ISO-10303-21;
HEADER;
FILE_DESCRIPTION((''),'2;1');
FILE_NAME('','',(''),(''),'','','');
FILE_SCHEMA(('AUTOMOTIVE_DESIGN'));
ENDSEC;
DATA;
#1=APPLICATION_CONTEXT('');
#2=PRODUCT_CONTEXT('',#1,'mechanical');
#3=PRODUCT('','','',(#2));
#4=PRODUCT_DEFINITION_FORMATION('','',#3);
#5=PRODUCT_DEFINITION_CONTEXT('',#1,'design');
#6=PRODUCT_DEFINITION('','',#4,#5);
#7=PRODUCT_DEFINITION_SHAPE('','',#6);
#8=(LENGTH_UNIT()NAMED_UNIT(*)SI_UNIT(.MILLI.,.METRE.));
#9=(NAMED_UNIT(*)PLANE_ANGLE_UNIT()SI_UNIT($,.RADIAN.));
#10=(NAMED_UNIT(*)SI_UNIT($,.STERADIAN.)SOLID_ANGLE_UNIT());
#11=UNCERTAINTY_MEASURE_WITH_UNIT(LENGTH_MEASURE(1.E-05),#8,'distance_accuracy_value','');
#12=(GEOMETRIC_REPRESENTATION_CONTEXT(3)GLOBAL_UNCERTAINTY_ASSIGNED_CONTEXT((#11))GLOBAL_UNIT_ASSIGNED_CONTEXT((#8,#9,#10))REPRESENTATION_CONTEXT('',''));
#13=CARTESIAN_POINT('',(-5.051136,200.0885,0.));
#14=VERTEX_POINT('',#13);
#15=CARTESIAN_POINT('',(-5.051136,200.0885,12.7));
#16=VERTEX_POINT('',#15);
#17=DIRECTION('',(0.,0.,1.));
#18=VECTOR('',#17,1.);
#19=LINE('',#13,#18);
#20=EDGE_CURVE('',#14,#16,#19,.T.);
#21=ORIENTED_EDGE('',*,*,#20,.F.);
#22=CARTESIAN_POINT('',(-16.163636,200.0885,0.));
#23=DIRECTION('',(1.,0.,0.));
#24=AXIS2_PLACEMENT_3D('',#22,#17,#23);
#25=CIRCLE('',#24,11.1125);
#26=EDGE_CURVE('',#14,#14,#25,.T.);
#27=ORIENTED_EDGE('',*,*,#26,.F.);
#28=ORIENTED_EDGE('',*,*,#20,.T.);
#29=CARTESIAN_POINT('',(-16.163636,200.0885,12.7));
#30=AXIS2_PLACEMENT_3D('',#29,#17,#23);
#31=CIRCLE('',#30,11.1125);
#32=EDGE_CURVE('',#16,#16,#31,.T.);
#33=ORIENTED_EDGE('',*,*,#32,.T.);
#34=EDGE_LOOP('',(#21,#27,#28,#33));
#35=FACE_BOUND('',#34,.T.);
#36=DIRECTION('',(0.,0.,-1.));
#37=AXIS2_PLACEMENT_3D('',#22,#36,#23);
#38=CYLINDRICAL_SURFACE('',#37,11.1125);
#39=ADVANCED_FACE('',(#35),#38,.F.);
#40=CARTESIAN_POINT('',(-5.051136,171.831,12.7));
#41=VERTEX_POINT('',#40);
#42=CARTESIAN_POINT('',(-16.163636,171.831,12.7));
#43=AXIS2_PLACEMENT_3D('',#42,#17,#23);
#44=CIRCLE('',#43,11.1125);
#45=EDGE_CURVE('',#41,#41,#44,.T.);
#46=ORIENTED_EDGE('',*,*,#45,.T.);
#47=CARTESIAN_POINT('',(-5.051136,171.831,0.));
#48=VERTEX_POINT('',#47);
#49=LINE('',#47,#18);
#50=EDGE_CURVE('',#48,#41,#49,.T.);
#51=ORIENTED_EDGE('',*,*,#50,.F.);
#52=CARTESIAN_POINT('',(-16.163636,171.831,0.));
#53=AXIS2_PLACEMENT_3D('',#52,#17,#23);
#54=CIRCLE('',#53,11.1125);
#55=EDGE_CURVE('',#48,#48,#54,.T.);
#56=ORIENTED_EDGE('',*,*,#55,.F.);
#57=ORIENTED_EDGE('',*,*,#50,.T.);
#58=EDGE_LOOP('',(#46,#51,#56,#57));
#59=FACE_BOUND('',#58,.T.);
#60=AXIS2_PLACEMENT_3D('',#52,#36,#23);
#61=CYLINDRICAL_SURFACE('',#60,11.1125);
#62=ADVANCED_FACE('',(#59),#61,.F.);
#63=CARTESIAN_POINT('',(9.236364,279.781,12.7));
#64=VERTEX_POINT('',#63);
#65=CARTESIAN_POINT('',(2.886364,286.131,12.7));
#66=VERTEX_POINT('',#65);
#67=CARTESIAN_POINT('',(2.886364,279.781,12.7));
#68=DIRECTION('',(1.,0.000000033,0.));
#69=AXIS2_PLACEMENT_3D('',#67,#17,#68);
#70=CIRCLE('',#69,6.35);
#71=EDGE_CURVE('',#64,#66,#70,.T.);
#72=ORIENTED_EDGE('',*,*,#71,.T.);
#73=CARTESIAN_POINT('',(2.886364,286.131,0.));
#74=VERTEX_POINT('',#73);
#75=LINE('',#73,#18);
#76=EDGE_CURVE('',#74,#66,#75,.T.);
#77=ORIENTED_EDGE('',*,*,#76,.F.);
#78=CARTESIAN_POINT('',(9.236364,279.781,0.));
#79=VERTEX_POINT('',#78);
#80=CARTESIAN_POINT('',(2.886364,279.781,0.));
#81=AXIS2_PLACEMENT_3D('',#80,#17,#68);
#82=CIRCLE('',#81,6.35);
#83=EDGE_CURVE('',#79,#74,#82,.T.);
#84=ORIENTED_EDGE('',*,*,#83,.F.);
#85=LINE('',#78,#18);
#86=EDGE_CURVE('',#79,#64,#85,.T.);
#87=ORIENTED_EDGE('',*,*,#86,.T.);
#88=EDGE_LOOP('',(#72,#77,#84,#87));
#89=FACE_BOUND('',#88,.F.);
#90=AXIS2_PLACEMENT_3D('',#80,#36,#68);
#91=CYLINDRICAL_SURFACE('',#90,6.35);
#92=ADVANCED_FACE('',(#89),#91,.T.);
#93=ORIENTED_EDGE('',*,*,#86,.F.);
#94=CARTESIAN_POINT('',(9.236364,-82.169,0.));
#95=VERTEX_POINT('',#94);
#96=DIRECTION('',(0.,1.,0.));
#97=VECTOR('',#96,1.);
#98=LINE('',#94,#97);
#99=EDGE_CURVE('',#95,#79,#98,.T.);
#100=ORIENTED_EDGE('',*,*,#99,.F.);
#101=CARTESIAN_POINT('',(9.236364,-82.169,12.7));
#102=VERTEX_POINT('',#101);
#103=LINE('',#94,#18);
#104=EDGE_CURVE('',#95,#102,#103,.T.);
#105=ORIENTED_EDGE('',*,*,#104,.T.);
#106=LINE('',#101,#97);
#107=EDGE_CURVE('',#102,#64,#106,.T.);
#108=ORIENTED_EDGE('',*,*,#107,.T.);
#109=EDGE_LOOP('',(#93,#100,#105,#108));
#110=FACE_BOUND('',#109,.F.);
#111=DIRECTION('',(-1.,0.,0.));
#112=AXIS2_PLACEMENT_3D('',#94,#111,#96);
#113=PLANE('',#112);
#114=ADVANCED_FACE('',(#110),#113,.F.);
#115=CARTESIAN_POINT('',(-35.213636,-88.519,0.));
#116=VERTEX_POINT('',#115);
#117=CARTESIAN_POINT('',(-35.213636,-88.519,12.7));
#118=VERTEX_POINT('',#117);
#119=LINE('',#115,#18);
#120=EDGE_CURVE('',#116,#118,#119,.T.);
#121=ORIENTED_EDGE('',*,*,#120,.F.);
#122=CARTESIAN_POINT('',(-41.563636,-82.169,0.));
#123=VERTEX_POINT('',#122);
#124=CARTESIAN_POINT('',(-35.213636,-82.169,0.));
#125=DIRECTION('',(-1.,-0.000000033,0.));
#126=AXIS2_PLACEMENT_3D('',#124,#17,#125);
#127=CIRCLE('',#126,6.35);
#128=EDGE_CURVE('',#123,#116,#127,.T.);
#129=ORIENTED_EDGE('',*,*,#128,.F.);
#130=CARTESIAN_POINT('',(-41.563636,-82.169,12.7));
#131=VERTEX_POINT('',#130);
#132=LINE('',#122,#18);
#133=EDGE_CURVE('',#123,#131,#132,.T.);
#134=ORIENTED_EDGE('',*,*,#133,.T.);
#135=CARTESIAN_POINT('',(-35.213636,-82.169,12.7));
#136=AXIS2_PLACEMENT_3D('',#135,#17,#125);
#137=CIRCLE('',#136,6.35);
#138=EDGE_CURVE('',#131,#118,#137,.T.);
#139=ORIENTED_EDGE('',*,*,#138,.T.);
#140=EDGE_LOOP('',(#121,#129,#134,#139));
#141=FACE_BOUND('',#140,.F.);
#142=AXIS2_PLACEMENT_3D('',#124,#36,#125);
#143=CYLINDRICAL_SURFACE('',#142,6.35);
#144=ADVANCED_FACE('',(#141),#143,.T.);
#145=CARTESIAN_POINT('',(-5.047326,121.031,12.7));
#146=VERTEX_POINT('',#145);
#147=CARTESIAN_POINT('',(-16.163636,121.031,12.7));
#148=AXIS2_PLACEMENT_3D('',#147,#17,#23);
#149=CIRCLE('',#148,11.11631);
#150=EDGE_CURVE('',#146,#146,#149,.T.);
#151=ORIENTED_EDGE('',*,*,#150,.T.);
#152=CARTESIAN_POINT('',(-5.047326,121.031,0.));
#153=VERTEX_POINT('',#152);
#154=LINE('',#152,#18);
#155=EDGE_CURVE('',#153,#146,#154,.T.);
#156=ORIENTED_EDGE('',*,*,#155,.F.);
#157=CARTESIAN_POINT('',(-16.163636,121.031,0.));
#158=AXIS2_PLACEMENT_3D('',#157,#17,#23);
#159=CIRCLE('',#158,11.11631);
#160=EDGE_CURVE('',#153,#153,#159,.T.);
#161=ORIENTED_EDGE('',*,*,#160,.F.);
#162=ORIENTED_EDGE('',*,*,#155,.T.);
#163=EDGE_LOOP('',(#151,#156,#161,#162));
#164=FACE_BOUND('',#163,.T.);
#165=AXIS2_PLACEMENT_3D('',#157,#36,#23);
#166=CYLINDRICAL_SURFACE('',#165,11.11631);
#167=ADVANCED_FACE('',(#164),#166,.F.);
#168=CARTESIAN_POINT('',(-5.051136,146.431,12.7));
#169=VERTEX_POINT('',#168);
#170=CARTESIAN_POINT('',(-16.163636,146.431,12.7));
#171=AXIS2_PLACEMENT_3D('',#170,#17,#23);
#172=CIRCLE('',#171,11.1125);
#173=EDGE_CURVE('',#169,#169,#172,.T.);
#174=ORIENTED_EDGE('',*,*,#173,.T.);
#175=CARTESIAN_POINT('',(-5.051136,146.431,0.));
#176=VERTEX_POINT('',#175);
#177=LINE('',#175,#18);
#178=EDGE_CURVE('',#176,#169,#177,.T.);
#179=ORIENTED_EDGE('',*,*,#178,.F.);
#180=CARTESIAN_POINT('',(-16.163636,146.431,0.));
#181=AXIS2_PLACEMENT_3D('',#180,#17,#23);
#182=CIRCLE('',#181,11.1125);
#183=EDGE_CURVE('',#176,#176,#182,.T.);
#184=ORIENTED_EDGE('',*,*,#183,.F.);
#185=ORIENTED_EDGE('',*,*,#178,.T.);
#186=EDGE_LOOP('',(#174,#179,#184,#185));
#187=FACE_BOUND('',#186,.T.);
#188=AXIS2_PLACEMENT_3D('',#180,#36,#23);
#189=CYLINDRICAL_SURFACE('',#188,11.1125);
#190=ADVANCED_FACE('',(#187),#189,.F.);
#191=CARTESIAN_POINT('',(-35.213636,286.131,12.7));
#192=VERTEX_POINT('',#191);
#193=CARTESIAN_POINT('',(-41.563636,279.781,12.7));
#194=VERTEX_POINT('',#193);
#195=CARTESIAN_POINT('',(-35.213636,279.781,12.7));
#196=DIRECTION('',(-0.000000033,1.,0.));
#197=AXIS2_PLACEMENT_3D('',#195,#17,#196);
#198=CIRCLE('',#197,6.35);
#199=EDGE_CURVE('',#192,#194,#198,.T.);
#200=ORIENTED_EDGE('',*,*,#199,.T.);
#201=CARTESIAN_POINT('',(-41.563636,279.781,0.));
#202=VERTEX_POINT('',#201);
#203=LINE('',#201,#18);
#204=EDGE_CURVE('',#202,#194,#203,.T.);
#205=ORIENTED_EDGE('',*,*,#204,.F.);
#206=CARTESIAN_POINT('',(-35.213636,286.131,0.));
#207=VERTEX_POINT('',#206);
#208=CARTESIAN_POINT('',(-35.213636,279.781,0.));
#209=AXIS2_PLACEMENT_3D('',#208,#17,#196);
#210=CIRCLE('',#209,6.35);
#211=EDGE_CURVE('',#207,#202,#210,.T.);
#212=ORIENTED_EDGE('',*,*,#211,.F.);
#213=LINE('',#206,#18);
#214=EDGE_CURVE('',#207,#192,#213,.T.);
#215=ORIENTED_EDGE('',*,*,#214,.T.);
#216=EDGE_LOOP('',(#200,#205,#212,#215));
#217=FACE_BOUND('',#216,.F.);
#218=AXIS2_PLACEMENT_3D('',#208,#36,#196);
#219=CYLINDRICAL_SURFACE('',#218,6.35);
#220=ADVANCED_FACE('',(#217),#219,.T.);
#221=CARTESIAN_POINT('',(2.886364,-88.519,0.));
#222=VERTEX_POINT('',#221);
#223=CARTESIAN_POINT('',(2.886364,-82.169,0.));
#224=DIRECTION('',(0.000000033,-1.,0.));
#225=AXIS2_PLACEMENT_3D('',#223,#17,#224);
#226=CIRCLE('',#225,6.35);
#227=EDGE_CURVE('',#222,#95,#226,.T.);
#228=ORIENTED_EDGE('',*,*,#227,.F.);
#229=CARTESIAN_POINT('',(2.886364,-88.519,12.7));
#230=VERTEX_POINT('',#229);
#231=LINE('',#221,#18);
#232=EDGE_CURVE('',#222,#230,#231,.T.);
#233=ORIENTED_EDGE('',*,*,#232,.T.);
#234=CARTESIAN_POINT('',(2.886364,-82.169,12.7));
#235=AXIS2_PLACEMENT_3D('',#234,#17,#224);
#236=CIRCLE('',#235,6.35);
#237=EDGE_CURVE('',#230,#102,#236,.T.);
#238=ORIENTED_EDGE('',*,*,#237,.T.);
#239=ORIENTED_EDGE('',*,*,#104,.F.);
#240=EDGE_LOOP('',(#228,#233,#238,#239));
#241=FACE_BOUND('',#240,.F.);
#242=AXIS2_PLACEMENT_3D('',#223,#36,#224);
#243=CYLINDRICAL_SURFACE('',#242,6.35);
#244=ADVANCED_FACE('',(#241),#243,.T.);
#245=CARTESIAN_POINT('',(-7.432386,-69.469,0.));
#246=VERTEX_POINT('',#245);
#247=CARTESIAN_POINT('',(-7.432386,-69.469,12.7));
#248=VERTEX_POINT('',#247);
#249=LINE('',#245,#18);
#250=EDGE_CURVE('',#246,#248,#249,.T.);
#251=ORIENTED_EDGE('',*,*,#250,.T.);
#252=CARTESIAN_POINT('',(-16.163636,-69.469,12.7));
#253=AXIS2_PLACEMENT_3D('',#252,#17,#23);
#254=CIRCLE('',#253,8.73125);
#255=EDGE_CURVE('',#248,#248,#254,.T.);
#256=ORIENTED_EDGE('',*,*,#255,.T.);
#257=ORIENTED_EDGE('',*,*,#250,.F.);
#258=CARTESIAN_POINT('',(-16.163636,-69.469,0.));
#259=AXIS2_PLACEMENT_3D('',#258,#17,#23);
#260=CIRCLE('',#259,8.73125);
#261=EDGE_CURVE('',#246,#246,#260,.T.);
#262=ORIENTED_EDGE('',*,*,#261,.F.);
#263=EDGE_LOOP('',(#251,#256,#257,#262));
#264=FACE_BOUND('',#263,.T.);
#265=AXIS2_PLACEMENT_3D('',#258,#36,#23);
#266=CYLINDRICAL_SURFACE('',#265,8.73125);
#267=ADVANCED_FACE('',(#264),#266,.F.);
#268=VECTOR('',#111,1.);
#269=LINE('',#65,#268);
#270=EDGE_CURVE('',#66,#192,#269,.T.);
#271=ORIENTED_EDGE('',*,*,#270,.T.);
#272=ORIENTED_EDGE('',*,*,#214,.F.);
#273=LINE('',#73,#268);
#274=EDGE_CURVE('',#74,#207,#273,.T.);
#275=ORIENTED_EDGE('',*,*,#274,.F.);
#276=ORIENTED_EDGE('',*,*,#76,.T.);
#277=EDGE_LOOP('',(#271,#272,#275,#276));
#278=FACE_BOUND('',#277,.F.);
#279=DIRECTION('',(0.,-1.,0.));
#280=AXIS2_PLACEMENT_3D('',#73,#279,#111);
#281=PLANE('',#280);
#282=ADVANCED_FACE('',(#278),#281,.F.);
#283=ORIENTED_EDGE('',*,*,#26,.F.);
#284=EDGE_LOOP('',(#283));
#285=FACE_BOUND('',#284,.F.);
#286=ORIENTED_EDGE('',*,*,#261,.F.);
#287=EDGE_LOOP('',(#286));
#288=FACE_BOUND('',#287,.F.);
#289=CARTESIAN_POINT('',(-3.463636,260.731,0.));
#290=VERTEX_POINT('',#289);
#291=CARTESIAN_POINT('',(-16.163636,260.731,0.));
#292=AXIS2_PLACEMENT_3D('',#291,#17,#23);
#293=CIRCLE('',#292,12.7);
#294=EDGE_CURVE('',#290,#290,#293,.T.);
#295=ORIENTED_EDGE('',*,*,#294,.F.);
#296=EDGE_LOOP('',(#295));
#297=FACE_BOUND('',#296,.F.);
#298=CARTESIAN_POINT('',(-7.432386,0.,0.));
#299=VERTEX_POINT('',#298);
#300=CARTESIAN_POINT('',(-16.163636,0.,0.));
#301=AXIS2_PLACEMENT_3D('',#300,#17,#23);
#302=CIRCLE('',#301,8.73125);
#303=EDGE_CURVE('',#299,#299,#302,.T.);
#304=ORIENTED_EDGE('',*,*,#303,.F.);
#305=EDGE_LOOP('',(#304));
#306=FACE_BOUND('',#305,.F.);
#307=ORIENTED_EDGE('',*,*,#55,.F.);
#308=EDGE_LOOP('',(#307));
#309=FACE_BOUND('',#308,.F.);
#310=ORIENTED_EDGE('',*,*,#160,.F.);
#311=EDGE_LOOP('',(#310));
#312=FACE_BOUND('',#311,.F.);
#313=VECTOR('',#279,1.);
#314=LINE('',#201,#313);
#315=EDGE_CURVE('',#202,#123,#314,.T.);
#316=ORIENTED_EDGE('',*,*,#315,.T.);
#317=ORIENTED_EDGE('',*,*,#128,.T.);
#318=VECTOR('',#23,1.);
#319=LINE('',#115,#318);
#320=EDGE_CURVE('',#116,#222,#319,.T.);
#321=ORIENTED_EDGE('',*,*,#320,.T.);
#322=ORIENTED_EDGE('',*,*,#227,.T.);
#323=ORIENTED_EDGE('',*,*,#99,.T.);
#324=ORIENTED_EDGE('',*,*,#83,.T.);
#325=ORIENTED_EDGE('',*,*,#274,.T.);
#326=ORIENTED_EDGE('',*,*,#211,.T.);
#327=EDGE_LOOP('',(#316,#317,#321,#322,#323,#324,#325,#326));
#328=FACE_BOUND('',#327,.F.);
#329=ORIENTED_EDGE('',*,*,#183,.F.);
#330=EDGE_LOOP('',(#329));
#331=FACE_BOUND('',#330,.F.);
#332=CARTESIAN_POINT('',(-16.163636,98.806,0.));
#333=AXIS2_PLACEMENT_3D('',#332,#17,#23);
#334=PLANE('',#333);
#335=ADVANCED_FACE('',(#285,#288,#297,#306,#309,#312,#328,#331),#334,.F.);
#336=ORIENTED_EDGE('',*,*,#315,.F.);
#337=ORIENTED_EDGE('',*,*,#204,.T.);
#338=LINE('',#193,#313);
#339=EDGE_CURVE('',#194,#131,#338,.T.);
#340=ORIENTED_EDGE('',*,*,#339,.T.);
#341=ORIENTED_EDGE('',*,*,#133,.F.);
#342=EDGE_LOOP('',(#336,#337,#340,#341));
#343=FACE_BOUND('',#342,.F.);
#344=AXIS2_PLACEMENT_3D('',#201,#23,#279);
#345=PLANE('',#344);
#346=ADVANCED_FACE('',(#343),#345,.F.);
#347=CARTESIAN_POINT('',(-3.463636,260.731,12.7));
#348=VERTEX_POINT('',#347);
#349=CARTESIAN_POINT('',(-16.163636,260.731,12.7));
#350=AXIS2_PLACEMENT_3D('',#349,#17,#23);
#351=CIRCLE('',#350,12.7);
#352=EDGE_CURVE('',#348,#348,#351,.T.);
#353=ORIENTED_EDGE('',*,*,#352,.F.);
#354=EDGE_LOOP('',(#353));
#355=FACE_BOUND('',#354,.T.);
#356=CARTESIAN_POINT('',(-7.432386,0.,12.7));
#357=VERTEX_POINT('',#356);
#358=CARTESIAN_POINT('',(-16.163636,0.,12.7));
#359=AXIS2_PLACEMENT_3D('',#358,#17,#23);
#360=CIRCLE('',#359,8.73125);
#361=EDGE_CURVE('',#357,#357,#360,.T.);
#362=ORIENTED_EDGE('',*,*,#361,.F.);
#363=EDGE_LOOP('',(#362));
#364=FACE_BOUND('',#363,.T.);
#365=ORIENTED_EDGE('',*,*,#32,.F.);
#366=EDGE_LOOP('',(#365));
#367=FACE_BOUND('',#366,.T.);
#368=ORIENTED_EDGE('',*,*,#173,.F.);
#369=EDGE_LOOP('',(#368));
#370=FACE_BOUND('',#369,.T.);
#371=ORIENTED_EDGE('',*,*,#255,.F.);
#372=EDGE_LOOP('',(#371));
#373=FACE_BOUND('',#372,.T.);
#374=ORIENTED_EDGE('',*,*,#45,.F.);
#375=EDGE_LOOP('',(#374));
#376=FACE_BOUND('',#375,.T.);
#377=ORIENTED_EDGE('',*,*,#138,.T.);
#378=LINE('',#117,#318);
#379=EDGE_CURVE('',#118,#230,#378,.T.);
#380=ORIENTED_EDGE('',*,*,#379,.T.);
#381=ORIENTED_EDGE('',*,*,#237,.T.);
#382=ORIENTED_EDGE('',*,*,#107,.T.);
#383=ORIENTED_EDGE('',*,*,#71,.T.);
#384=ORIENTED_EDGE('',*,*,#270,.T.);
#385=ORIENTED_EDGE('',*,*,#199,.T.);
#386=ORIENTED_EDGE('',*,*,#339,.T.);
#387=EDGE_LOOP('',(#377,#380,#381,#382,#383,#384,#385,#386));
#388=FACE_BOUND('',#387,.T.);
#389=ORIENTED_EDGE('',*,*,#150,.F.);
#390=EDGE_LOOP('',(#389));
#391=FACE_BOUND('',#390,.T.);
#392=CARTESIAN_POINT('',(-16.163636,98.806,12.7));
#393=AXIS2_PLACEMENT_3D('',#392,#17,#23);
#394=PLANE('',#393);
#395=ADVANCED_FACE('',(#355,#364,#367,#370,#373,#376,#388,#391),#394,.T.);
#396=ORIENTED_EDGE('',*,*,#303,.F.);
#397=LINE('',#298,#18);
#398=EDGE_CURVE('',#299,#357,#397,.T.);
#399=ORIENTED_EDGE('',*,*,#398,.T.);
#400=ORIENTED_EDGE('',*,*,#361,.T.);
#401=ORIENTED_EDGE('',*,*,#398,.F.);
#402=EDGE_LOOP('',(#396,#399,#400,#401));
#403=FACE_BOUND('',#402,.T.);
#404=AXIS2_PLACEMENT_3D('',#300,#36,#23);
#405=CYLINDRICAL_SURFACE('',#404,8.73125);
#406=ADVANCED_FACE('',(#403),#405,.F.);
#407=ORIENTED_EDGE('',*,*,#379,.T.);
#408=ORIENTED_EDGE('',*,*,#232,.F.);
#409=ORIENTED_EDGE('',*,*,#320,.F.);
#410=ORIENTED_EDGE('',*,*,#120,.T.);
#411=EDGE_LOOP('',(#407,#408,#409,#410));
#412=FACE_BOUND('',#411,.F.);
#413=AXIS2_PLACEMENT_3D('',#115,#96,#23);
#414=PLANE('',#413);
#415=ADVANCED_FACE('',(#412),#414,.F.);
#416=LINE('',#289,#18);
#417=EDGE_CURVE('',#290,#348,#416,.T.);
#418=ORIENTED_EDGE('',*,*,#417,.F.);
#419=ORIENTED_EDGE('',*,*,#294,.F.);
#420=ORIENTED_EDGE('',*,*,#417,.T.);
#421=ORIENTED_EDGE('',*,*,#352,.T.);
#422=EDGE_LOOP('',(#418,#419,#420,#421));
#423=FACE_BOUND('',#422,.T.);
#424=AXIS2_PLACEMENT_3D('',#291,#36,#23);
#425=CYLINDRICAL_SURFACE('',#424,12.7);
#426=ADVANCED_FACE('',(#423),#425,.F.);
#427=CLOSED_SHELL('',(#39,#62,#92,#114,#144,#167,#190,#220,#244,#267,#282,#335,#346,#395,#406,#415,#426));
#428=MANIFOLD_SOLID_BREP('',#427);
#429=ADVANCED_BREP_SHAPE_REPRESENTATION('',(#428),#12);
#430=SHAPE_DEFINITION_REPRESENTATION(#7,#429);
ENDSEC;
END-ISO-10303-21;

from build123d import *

# Parameters (mm, degrees)
F0_R     = 8.73125
F0_R_2   = 11.11631
F0_R_3   = 11.1125
F0_R_4   = 12.7
F1_DEPTH = 12.7


with BuildPart() as f1:
    # F0 (on Top) → F1 (new body)
    with BuildSketch(Plane.XY):
        with BuildLine():
            Line((2.886364, 286.131), (-35.213636, 286.131))
            ThreePointArc((-35.213636, 286.131), (-39.703764, 284.271128), (-41.563636, 279.781))
            Line((-41.563636, 279.781), (-41.563636, -82.169))
            ThreePointArc((-41.563636, -82.169), (-39.703764, -86.659128), (-35.213636, -88.519))
            Line((-35.213636, -88.519), (2.886364, -88.519))
            ThreePointArc((2.886364, -88.519), (7.376492, -86.659128), (9.236364, -82.169))
            Line((9.236364, -82.169), (9.236364, 279.781))
            ThreePointArc((9.236364, 279.781), (7.376492, 284.271128), (2.886364, 286.131))
        make_face()
        with Locations((-16.163636, 0)):
            Circle(F0_R, mode=Mode.SUBTRACT)
        with Locations((-16.163636, -69.469)):
            Circle(F0_R, mode=Mode.SUBTRACT)
        with Locations((-16.163636, 121.031)):
            Circle(F0_R_2, mode=Mode.SUBTRACT)
        with Locations((-16.163636, 146.431)):
            Circle(F0_R_3, mode=Mode.SUBTRACT)
        with Locations((-16.163636, 171.831)):
            Circle(F0_R_3, mode=Mode.SUBTRACT)
        with Locations((-16.163636, 200.0885)):
            Circle(F0_R_3, mode=Mode.SUBTRACT)
        with Locations((-16.163636, 260.731)):
            Circle(F0_R_4, mode=Mode.SUBTRACT)
    extrude(amount=F1_DEPTH)


solid = f1.part
